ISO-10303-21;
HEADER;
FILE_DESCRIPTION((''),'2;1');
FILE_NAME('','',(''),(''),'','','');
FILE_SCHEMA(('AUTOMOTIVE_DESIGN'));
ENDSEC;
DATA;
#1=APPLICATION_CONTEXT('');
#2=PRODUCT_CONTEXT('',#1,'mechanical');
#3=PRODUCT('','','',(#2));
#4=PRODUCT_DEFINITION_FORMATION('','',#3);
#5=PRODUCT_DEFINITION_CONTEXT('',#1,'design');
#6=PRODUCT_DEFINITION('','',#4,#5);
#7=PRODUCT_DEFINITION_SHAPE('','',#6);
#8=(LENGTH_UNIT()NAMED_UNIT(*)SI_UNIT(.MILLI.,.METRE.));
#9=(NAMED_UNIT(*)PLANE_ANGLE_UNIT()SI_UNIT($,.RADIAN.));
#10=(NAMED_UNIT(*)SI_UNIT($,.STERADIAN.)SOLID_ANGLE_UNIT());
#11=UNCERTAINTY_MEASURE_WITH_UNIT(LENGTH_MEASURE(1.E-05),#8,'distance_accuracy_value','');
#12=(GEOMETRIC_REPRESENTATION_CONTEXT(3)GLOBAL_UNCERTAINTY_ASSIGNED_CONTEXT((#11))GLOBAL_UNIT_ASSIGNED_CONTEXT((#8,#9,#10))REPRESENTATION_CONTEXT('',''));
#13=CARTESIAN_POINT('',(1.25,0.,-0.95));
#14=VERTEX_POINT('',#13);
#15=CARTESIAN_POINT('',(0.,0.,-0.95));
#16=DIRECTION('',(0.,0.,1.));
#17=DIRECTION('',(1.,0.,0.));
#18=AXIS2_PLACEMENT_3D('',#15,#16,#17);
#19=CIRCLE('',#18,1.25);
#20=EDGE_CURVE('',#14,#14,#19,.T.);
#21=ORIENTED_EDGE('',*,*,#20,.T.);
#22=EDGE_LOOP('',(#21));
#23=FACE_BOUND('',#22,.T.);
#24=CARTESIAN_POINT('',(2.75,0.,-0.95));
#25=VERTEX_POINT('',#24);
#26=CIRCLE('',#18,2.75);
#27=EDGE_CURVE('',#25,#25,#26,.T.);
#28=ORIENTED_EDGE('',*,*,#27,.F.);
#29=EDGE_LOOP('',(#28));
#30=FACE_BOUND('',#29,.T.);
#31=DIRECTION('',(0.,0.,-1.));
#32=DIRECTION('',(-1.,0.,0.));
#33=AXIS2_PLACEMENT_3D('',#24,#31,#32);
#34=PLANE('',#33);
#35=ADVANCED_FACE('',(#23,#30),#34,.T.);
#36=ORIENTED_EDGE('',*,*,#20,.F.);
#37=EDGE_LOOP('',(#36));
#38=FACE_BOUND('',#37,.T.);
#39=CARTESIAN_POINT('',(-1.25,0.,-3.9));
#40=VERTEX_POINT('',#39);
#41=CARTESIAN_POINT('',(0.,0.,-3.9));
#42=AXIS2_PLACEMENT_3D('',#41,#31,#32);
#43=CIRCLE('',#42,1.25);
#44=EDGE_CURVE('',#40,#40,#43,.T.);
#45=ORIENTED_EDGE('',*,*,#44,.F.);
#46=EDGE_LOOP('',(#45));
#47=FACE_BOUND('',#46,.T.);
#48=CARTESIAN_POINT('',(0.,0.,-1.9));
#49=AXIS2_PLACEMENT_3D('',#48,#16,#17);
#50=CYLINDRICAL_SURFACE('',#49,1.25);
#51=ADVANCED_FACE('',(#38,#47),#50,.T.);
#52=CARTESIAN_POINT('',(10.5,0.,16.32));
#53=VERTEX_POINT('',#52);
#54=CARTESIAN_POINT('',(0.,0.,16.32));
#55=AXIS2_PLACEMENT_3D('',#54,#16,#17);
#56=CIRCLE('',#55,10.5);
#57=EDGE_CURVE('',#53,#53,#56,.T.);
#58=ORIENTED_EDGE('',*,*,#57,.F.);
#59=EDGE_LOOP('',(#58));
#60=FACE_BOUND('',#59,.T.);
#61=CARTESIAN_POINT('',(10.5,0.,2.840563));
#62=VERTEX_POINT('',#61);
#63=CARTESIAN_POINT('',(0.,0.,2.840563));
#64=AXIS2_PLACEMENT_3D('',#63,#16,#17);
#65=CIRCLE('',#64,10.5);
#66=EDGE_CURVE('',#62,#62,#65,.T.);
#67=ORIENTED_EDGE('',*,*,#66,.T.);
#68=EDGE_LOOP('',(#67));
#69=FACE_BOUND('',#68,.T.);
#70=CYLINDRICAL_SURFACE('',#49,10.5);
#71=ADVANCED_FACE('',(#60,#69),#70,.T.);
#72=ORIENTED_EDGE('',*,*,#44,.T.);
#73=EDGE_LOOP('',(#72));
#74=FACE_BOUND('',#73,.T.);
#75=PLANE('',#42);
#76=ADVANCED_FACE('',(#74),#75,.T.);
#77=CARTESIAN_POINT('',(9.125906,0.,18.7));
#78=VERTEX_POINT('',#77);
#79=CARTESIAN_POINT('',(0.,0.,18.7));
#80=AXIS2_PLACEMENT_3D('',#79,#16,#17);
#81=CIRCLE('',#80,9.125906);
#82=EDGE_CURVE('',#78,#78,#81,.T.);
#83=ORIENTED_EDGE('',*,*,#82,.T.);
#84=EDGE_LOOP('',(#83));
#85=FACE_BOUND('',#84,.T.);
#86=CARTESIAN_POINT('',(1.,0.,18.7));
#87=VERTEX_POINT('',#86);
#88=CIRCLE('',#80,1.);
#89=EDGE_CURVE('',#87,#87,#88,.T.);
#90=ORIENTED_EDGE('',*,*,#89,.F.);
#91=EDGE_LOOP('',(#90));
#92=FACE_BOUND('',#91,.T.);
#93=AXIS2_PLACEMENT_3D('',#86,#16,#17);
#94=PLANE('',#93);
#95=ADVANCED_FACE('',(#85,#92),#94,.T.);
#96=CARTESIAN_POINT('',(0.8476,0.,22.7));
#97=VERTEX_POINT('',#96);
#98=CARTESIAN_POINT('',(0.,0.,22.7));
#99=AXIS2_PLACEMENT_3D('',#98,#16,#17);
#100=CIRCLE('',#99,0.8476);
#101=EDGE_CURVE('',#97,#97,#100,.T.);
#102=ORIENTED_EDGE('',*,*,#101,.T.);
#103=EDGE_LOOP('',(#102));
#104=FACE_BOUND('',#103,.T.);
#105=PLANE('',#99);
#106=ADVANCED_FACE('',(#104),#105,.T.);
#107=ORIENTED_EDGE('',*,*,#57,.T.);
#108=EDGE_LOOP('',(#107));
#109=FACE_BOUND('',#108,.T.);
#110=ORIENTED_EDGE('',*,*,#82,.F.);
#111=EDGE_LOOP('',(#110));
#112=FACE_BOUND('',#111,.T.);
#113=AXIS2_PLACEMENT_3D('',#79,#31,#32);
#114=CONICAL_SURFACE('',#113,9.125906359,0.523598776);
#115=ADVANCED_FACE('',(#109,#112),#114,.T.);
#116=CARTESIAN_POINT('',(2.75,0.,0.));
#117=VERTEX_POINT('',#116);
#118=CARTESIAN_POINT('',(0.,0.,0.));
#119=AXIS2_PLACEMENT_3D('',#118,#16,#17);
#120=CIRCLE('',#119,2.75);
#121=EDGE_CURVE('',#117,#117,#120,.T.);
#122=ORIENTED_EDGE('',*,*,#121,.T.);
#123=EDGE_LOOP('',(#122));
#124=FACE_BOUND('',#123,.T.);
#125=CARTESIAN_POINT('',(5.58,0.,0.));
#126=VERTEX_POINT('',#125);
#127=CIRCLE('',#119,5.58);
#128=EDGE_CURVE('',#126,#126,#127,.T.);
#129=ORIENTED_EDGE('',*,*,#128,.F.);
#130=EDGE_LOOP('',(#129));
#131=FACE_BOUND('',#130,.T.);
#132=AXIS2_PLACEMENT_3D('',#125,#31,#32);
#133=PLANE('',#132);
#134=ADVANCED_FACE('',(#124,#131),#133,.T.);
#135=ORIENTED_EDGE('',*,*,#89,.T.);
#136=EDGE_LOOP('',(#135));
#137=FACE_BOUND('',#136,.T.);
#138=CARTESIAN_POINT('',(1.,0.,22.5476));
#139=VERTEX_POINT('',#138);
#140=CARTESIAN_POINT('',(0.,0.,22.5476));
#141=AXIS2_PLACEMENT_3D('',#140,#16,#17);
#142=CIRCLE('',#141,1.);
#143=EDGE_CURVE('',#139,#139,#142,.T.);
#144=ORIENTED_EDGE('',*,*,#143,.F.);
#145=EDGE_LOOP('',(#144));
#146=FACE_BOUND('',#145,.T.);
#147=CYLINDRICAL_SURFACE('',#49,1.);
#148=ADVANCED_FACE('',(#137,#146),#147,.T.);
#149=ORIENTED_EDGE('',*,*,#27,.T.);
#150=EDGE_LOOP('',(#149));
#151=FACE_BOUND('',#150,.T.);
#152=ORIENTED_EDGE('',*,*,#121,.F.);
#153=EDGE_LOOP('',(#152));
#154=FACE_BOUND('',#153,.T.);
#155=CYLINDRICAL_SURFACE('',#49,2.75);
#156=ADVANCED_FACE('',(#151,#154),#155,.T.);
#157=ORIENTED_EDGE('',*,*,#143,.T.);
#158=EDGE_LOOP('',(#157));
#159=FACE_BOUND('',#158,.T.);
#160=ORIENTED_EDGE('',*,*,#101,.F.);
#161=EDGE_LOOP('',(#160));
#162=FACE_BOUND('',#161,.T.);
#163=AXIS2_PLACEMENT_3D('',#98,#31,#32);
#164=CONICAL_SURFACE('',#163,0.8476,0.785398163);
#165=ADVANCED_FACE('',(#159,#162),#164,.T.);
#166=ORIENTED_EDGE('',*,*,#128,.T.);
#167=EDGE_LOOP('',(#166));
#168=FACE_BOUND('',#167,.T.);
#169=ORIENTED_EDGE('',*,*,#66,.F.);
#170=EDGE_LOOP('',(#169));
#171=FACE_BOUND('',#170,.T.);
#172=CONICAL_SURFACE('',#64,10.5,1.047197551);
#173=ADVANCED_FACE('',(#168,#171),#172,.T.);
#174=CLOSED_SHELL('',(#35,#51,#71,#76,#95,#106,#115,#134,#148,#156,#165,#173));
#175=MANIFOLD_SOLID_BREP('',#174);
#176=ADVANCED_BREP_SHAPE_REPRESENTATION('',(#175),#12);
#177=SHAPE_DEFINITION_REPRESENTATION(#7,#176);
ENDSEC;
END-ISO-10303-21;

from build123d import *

# Parameters (mm, degrees)
BOSS_EXTRUDE1_START = 2
SKETCH2_R           = 1.25
BOSS_EXTRUDE1_DEPTH = 2


with BuildPart() as part:
    # Sketch1 → Revolve1 (revolve)
    with BuildSketch(Plane(origin=(0, 0, 0), x_dir=(1, 0, 0), z_dir=(0, 1, 0))):
        Polygon((1.25, 1.9), (0, 1.9), (0, -22.7), (0.8476, -22.7), (1, -22.5476), (1, -18.7), (9.125906359, -18.7), (10.5, -16.32), (10.5, -2.840563324), (5.58, 0), (2.75, 0), (2.75, 0.95), (1.25, 0.95), align=None)
    revolve(axis=Axis((0, 0, -1.9), (0, 0, 1)))

    # Sketch2 → Boss-Extrude1 (add)
    with BuildSketch(Plane(origin=(0, 0, -1.9), x_dir=(-1, 0, 0), z_dir=(0, 0, -1)).offset(BOSS_EXTRUDE1_START)):
        with Locations(Location((0, 0, 0), (0, 0, 180))):
            Circle(SKETCH2_R)
    extrude(amount=-BOSS_EXTRUDE1_DEPTH)


solid = part.part
